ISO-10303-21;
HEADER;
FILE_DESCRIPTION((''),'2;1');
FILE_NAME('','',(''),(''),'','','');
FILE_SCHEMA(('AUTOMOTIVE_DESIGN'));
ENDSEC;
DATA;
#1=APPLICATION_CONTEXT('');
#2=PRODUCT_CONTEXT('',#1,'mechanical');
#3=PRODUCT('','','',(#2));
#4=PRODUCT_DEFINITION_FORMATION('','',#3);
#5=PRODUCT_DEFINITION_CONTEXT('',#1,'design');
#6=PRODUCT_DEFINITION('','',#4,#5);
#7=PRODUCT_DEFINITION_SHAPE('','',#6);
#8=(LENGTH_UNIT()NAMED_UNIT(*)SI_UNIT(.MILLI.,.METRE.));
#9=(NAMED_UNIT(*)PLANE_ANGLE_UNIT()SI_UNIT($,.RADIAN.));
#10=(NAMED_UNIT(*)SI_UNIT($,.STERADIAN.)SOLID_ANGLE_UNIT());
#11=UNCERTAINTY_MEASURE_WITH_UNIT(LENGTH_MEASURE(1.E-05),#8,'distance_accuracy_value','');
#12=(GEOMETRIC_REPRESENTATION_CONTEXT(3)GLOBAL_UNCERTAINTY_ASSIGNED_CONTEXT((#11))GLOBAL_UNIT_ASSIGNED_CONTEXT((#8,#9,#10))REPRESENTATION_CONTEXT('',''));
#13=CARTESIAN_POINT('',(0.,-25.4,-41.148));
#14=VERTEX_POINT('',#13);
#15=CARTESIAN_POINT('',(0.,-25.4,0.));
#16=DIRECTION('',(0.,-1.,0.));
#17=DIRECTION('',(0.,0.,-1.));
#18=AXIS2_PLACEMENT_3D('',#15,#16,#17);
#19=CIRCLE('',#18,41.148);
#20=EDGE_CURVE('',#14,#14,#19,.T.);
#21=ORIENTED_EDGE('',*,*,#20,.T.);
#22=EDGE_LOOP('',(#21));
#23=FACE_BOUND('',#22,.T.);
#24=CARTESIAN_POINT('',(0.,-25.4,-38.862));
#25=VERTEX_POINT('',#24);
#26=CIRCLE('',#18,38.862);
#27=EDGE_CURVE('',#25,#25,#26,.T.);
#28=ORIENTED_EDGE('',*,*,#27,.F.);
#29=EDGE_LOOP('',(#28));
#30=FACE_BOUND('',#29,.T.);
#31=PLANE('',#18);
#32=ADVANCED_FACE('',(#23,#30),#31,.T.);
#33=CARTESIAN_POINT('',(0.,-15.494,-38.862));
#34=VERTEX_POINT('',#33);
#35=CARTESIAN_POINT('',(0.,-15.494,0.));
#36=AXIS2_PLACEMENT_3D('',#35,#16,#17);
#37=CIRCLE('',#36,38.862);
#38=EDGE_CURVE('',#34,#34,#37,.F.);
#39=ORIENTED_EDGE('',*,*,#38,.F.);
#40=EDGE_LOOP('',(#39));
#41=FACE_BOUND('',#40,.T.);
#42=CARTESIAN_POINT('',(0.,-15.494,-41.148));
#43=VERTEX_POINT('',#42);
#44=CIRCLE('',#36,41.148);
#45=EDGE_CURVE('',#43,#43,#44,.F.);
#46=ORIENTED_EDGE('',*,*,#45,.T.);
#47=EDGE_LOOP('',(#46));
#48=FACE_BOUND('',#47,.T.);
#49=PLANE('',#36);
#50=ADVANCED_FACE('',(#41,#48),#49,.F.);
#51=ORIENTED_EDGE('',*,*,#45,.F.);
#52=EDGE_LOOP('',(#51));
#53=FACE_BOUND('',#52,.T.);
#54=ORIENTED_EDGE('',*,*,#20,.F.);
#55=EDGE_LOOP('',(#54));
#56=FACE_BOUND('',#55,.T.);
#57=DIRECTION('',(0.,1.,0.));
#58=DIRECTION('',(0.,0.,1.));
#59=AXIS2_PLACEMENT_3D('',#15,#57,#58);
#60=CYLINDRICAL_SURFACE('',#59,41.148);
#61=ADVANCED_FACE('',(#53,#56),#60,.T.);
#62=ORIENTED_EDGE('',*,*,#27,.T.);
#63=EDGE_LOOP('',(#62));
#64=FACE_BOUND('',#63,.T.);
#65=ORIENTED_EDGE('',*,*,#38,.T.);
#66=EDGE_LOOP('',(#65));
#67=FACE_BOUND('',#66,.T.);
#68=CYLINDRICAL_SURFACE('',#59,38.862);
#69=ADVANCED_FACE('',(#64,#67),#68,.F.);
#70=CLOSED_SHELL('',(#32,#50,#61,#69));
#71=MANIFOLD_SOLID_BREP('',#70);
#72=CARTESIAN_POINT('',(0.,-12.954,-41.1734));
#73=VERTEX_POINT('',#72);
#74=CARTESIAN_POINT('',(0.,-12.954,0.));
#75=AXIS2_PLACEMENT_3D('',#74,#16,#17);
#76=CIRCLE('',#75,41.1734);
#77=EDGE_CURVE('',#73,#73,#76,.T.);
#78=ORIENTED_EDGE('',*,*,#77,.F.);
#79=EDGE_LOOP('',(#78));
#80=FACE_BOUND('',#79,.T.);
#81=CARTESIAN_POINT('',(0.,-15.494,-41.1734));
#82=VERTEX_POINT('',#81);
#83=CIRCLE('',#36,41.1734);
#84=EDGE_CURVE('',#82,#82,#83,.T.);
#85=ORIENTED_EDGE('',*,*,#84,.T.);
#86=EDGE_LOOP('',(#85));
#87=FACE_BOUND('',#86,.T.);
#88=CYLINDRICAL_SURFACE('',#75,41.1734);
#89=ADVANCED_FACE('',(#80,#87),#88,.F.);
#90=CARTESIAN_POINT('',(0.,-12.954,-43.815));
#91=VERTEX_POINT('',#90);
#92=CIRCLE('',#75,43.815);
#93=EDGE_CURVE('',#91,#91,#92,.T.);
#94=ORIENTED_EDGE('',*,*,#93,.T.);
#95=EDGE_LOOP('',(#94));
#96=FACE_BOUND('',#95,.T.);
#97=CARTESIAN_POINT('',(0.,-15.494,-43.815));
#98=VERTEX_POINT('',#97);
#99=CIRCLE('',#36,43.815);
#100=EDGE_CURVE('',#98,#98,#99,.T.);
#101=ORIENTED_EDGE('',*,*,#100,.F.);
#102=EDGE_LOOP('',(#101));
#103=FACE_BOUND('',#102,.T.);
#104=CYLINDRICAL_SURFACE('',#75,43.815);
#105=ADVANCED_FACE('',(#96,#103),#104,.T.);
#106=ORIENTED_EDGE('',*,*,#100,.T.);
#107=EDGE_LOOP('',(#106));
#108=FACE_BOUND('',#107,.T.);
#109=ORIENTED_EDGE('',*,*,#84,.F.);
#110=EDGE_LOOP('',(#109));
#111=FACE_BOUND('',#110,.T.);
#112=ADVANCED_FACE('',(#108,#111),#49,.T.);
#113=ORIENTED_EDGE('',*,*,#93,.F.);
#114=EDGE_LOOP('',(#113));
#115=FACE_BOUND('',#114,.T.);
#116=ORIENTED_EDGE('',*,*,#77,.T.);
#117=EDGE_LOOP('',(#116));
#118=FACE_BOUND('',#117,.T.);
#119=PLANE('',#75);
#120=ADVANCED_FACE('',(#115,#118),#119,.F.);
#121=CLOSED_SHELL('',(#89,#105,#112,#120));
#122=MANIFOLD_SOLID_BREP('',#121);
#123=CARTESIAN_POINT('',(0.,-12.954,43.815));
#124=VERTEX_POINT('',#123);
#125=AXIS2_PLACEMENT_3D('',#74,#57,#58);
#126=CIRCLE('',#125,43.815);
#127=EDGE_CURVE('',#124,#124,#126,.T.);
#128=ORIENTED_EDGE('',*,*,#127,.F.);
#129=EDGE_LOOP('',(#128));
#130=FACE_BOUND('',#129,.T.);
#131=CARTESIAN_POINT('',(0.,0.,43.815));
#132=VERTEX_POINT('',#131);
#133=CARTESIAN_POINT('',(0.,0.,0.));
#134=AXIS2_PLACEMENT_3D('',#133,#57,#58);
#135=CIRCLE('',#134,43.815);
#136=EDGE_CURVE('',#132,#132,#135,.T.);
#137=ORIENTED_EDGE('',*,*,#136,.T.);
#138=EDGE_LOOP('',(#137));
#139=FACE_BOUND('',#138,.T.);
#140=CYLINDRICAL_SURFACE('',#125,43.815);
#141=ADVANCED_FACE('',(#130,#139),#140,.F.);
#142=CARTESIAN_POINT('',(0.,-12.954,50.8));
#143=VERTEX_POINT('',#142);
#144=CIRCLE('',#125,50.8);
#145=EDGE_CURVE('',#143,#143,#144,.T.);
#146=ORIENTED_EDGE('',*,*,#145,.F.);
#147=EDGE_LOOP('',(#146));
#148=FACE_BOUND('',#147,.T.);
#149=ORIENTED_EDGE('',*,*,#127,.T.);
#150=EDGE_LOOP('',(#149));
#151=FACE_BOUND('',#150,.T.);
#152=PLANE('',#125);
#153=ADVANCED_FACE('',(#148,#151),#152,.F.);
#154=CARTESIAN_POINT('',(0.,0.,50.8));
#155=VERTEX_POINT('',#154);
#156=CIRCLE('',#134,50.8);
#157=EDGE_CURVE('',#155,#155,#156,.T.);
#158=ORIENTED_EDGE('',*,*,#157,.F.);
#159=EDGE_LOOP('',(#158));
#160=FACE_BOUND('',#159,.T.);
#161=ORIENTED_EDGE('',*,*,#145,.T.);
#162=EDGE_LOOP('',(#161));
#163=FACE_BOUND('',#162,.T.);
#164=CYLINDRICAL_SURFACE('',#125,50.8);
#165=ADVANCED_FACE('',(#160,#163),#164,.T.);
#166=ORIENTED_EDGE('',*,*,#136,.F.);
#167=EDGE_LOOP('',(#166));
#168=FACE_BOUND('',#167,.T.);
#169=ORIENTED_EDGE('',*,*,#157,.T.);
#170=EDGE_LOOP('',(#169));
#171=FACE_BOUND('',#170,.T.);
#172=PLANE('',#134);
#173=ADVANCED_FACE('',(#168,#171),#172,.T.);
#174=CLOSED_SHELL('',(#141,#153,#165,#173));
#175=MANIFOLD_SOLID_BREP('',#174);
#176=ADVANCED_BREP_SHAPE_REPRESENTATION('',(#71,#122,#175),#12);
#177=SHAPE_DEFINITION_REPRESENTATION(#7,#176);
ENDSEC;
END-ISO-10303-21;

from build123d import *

# Parameters (mm, degrees)
SKETCH1_R                = 50.8
SKETCH1_R_2              = 43.815
BOSS_EXTRUDE1_DEPTH      = 12.954
SKETCH2_R                = 43.815
SKETCH2_R_2              = 41.1734
BOSS_EXTRUDE2_DEPTH      = 2.54
BOSS_EXTRUDE3_DEPTH      = 7.366
BOSS_EXTRUDE3_DEPTH_BACK = 2.54
SKETCH3_R                = 41.148
SKETCH3_R_2              = 38.862


with BuildPart() as part:
    # Sketch1 → Boss-Extrude1 (new body)
    with BuildSketch(Plane(origin=(0, 0, 0), x_dir=(1, 0, 0), z_dir=(0, 1, 0))):
        with Locations(Location((0, 0, 0), (0, 0, 270))):
            Circle(SKETCH1_R)
        with Locations(Location((0, 0, 0), (0, 0, 270))):
            Circle(SKETCH1_R_2, mode=Mode.SUBTRACT)
    extrude(amount=-BOSS_EXTRUDE1_DEPTH)


with BuildPart() as body_2:
    # Sketch2 → Boss-Extrude2 (new body)
    with BuildSketch(Plane(origin=(0, -15.494, 0), x_dir=(-1, 0, 0), z_dir=(0, -1, 0))):
        with Locations(Location((0, 0, 0), (0, 0, 90))):
            Circle(SKETCH2_R)
        with Locations(Location((0, 0, 0), (0, 0, 90))):
            Circle(SKETCH2_R_2, mode=Mode.SUBTRACT)
    extrude(amount=-BOSS_EXTRUDE2_DEPTH)


with BuildPart() as body_3:
    # Sketch3 → Boss-Extrude3 (new, two sides: drawn at the far end of the back side and taken through both)
    with BuildSketch(Plane(origin=(0, -18.034, 0), x_dir=(-1, 0, 0), z_dir=(0, -1, 0)).offset(-BOSS_EXTRUDE3_DEPTH_BACK)):
        with Locations(Location((0, 0, 0), (0, 0, 90))):
            Circle(SKETCH3_R)
        with Locations(Location((0, 0, 0), (0, 0, 90))):
            Circle(SKETCH3_R_2, mode=Mode.SUBTRACT)
    extrude(amount=BOSS_EXTRUDE3_DEPTH + BOSS_EXTRUDE3_DEPTH_BACK)


solid = Compound([part.part, body_2.part, body_3.part])
